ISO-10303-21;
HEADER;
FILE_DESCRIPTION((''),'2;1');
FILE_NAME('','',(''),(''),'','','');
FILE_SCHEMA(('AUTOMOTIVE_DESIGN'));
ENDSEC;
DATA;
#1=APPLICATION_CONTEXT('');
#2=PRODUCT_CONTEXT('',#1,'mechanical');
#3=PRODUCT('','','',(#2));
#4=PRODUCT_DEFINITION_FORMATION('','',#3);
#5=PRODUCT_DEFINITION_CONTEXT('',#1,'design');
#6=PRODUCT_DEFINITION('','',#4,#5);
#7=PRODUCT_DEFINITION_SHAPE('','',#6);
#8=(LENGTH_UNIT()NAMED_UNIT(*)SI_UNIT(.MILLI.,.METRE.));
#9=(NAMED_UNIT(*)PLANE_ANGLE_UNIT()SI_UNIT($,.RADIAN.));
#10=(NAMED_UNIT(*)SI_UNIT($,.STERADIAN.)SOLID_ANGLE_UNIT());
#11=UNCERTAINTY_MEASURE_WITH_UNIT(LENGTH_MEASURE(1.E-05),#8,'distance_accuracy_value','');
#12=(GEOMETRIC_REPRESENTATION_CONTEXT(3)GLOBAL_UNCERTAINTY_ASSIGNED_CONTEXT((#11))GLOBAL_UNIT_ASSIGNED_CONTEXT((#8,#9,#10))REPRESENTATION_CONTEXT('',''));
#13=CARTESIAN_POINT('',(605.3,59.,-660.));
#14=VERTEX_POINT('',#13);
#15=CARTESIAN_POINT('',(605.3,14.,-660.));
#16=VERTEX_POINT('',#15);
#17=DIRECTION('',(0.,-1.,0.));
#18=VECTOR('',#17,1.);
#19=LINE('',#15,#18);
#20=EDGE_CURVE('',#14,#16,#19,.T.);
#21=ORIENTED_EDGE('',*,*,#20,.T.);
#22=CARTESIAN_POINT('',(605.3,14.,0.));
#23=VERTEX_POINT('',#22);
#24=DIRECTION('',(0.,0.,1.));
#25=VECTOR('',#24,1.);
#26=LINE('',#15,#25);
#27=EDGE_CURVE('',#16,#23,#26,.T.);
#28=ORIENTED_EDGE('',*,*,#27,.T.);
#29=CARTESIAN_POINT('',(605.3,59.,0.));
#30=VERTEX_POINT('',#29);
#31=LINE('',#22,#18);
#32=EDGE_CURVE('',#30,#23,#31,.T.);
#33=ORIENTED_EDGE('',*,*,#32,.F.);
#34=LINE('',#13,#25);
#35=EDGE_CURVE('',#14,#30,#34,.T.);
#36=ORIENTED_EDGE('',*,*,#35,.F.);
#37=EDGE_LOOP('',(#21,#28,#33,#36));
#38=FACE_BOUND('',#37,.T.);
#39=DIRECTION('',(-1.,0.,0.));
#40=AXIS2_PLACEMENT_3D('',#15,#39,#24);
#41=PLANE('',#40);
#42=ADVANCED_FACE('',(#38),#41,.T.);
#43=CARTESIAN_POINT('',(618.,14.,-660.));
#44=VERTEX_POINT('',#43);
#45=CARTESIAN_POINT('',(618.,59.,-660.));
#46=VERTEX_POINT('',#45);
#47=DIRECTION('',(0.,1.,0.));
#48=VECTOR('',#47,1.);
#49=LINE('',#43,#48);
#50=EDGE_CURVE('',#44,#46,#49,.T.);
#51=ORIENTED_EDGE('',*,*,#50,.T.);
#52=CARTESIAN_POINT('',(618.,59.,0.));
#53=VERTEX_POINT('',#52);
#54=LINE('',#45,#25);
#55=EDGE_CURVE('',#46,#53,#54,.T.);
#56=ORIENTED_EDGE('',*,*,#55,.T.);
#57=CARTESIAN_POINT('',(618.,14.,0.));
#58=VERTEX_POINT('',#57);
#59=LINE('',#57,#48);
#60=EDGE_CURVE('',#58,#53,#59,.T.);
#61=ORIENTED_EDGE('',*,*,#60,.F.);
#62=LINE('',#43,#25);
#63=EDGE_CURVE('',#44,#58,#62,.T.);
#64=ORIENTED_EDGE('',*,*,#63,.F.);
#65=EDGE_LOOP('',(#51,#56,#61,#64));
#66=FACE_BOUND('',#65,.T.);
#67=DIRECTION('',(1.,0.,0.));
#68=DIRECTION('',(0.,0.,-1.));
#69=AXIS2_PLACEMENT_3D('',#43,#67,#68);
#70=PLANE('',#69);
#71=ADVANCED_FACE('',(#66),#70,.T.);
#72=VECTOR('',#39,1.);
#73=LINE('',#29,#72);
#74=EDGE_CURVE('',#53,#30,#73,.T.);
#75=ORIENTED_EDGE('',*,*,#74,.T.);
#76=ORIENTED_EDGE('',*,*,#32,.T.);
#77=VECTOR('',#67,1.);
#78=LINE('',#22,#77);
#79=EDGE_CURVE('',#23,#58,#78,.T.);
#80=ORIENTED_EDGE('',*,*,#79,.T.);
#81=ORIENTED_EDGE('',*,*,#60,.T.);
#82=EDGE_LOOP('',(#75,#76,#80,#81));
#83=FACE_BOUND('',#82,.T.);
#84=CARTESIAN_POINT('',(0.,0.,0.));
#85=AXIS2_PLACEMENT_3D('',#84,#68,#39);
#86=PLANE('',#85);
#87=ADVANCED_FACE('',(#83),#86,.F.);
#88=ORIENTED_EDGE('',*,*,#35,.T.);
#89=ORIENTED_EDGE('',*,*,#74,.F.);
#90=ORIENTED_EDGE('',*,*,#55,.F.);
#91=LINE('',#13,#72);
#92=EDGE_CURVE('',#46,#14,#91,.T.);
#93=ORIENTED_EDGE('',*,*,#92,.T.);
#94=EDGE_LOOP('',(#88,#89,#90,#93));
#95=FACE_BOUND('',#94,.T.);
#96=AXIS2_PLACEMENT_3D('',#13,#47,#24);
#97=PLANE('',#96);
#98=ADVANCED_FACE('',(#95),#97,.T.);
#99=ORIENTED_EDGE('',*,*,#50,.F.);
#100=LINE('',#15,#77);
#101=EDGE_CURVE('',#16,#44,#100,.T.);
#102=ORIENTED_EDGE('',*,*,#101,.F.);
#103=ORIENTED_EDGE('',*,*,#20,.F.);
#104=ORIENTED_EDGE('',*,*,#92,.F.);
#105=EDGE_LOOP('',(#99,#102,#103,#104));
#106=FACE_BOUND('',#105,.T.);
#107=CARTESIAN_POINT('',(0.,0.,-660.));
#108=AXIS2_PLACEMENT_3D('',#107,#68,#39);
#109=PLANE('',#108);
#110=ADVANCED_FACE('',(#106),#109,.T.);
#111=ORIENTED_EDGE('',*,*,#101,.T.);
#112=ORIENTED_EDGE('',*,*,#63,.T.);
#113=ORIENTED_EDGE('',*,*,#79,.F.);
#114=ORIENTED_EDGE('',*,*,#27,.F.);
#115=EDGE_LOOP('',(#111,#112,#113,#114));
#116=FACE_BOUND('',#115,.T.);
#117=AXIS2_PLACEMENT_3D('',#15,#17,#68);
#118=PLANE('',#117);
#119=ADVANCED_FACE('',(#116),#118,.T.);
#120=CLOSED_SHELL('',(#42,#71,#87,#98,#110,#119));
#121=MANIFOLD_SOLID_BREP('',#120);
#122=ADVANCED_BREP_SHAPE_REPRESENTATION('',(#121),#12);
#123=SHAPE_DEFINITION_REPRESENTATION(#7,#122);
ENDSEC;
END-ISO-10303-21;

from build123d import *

# Parameters (mm, degrees)
SKETCH1_W                            = 12.7
SKETCH1_H                            = 45
CEK_ICECEK_RAY_IC_PROFIL_SAG_1_DEPTH = 660


with BuildPart() as part:
    # Sketch1 → CEK_icecek_ray_ic_profil_sag_1 (new body)
    with BuildSketch(Plane.XY):
        with Locations((611.65, 36.5)):
            Rectangle(SKETCH1_W, SKETCH1_H)
    extrude(amount=-CEK_ICECEK_RAY_IC_PROFIL_SAG_1_DEPTH)


solid = part.part
